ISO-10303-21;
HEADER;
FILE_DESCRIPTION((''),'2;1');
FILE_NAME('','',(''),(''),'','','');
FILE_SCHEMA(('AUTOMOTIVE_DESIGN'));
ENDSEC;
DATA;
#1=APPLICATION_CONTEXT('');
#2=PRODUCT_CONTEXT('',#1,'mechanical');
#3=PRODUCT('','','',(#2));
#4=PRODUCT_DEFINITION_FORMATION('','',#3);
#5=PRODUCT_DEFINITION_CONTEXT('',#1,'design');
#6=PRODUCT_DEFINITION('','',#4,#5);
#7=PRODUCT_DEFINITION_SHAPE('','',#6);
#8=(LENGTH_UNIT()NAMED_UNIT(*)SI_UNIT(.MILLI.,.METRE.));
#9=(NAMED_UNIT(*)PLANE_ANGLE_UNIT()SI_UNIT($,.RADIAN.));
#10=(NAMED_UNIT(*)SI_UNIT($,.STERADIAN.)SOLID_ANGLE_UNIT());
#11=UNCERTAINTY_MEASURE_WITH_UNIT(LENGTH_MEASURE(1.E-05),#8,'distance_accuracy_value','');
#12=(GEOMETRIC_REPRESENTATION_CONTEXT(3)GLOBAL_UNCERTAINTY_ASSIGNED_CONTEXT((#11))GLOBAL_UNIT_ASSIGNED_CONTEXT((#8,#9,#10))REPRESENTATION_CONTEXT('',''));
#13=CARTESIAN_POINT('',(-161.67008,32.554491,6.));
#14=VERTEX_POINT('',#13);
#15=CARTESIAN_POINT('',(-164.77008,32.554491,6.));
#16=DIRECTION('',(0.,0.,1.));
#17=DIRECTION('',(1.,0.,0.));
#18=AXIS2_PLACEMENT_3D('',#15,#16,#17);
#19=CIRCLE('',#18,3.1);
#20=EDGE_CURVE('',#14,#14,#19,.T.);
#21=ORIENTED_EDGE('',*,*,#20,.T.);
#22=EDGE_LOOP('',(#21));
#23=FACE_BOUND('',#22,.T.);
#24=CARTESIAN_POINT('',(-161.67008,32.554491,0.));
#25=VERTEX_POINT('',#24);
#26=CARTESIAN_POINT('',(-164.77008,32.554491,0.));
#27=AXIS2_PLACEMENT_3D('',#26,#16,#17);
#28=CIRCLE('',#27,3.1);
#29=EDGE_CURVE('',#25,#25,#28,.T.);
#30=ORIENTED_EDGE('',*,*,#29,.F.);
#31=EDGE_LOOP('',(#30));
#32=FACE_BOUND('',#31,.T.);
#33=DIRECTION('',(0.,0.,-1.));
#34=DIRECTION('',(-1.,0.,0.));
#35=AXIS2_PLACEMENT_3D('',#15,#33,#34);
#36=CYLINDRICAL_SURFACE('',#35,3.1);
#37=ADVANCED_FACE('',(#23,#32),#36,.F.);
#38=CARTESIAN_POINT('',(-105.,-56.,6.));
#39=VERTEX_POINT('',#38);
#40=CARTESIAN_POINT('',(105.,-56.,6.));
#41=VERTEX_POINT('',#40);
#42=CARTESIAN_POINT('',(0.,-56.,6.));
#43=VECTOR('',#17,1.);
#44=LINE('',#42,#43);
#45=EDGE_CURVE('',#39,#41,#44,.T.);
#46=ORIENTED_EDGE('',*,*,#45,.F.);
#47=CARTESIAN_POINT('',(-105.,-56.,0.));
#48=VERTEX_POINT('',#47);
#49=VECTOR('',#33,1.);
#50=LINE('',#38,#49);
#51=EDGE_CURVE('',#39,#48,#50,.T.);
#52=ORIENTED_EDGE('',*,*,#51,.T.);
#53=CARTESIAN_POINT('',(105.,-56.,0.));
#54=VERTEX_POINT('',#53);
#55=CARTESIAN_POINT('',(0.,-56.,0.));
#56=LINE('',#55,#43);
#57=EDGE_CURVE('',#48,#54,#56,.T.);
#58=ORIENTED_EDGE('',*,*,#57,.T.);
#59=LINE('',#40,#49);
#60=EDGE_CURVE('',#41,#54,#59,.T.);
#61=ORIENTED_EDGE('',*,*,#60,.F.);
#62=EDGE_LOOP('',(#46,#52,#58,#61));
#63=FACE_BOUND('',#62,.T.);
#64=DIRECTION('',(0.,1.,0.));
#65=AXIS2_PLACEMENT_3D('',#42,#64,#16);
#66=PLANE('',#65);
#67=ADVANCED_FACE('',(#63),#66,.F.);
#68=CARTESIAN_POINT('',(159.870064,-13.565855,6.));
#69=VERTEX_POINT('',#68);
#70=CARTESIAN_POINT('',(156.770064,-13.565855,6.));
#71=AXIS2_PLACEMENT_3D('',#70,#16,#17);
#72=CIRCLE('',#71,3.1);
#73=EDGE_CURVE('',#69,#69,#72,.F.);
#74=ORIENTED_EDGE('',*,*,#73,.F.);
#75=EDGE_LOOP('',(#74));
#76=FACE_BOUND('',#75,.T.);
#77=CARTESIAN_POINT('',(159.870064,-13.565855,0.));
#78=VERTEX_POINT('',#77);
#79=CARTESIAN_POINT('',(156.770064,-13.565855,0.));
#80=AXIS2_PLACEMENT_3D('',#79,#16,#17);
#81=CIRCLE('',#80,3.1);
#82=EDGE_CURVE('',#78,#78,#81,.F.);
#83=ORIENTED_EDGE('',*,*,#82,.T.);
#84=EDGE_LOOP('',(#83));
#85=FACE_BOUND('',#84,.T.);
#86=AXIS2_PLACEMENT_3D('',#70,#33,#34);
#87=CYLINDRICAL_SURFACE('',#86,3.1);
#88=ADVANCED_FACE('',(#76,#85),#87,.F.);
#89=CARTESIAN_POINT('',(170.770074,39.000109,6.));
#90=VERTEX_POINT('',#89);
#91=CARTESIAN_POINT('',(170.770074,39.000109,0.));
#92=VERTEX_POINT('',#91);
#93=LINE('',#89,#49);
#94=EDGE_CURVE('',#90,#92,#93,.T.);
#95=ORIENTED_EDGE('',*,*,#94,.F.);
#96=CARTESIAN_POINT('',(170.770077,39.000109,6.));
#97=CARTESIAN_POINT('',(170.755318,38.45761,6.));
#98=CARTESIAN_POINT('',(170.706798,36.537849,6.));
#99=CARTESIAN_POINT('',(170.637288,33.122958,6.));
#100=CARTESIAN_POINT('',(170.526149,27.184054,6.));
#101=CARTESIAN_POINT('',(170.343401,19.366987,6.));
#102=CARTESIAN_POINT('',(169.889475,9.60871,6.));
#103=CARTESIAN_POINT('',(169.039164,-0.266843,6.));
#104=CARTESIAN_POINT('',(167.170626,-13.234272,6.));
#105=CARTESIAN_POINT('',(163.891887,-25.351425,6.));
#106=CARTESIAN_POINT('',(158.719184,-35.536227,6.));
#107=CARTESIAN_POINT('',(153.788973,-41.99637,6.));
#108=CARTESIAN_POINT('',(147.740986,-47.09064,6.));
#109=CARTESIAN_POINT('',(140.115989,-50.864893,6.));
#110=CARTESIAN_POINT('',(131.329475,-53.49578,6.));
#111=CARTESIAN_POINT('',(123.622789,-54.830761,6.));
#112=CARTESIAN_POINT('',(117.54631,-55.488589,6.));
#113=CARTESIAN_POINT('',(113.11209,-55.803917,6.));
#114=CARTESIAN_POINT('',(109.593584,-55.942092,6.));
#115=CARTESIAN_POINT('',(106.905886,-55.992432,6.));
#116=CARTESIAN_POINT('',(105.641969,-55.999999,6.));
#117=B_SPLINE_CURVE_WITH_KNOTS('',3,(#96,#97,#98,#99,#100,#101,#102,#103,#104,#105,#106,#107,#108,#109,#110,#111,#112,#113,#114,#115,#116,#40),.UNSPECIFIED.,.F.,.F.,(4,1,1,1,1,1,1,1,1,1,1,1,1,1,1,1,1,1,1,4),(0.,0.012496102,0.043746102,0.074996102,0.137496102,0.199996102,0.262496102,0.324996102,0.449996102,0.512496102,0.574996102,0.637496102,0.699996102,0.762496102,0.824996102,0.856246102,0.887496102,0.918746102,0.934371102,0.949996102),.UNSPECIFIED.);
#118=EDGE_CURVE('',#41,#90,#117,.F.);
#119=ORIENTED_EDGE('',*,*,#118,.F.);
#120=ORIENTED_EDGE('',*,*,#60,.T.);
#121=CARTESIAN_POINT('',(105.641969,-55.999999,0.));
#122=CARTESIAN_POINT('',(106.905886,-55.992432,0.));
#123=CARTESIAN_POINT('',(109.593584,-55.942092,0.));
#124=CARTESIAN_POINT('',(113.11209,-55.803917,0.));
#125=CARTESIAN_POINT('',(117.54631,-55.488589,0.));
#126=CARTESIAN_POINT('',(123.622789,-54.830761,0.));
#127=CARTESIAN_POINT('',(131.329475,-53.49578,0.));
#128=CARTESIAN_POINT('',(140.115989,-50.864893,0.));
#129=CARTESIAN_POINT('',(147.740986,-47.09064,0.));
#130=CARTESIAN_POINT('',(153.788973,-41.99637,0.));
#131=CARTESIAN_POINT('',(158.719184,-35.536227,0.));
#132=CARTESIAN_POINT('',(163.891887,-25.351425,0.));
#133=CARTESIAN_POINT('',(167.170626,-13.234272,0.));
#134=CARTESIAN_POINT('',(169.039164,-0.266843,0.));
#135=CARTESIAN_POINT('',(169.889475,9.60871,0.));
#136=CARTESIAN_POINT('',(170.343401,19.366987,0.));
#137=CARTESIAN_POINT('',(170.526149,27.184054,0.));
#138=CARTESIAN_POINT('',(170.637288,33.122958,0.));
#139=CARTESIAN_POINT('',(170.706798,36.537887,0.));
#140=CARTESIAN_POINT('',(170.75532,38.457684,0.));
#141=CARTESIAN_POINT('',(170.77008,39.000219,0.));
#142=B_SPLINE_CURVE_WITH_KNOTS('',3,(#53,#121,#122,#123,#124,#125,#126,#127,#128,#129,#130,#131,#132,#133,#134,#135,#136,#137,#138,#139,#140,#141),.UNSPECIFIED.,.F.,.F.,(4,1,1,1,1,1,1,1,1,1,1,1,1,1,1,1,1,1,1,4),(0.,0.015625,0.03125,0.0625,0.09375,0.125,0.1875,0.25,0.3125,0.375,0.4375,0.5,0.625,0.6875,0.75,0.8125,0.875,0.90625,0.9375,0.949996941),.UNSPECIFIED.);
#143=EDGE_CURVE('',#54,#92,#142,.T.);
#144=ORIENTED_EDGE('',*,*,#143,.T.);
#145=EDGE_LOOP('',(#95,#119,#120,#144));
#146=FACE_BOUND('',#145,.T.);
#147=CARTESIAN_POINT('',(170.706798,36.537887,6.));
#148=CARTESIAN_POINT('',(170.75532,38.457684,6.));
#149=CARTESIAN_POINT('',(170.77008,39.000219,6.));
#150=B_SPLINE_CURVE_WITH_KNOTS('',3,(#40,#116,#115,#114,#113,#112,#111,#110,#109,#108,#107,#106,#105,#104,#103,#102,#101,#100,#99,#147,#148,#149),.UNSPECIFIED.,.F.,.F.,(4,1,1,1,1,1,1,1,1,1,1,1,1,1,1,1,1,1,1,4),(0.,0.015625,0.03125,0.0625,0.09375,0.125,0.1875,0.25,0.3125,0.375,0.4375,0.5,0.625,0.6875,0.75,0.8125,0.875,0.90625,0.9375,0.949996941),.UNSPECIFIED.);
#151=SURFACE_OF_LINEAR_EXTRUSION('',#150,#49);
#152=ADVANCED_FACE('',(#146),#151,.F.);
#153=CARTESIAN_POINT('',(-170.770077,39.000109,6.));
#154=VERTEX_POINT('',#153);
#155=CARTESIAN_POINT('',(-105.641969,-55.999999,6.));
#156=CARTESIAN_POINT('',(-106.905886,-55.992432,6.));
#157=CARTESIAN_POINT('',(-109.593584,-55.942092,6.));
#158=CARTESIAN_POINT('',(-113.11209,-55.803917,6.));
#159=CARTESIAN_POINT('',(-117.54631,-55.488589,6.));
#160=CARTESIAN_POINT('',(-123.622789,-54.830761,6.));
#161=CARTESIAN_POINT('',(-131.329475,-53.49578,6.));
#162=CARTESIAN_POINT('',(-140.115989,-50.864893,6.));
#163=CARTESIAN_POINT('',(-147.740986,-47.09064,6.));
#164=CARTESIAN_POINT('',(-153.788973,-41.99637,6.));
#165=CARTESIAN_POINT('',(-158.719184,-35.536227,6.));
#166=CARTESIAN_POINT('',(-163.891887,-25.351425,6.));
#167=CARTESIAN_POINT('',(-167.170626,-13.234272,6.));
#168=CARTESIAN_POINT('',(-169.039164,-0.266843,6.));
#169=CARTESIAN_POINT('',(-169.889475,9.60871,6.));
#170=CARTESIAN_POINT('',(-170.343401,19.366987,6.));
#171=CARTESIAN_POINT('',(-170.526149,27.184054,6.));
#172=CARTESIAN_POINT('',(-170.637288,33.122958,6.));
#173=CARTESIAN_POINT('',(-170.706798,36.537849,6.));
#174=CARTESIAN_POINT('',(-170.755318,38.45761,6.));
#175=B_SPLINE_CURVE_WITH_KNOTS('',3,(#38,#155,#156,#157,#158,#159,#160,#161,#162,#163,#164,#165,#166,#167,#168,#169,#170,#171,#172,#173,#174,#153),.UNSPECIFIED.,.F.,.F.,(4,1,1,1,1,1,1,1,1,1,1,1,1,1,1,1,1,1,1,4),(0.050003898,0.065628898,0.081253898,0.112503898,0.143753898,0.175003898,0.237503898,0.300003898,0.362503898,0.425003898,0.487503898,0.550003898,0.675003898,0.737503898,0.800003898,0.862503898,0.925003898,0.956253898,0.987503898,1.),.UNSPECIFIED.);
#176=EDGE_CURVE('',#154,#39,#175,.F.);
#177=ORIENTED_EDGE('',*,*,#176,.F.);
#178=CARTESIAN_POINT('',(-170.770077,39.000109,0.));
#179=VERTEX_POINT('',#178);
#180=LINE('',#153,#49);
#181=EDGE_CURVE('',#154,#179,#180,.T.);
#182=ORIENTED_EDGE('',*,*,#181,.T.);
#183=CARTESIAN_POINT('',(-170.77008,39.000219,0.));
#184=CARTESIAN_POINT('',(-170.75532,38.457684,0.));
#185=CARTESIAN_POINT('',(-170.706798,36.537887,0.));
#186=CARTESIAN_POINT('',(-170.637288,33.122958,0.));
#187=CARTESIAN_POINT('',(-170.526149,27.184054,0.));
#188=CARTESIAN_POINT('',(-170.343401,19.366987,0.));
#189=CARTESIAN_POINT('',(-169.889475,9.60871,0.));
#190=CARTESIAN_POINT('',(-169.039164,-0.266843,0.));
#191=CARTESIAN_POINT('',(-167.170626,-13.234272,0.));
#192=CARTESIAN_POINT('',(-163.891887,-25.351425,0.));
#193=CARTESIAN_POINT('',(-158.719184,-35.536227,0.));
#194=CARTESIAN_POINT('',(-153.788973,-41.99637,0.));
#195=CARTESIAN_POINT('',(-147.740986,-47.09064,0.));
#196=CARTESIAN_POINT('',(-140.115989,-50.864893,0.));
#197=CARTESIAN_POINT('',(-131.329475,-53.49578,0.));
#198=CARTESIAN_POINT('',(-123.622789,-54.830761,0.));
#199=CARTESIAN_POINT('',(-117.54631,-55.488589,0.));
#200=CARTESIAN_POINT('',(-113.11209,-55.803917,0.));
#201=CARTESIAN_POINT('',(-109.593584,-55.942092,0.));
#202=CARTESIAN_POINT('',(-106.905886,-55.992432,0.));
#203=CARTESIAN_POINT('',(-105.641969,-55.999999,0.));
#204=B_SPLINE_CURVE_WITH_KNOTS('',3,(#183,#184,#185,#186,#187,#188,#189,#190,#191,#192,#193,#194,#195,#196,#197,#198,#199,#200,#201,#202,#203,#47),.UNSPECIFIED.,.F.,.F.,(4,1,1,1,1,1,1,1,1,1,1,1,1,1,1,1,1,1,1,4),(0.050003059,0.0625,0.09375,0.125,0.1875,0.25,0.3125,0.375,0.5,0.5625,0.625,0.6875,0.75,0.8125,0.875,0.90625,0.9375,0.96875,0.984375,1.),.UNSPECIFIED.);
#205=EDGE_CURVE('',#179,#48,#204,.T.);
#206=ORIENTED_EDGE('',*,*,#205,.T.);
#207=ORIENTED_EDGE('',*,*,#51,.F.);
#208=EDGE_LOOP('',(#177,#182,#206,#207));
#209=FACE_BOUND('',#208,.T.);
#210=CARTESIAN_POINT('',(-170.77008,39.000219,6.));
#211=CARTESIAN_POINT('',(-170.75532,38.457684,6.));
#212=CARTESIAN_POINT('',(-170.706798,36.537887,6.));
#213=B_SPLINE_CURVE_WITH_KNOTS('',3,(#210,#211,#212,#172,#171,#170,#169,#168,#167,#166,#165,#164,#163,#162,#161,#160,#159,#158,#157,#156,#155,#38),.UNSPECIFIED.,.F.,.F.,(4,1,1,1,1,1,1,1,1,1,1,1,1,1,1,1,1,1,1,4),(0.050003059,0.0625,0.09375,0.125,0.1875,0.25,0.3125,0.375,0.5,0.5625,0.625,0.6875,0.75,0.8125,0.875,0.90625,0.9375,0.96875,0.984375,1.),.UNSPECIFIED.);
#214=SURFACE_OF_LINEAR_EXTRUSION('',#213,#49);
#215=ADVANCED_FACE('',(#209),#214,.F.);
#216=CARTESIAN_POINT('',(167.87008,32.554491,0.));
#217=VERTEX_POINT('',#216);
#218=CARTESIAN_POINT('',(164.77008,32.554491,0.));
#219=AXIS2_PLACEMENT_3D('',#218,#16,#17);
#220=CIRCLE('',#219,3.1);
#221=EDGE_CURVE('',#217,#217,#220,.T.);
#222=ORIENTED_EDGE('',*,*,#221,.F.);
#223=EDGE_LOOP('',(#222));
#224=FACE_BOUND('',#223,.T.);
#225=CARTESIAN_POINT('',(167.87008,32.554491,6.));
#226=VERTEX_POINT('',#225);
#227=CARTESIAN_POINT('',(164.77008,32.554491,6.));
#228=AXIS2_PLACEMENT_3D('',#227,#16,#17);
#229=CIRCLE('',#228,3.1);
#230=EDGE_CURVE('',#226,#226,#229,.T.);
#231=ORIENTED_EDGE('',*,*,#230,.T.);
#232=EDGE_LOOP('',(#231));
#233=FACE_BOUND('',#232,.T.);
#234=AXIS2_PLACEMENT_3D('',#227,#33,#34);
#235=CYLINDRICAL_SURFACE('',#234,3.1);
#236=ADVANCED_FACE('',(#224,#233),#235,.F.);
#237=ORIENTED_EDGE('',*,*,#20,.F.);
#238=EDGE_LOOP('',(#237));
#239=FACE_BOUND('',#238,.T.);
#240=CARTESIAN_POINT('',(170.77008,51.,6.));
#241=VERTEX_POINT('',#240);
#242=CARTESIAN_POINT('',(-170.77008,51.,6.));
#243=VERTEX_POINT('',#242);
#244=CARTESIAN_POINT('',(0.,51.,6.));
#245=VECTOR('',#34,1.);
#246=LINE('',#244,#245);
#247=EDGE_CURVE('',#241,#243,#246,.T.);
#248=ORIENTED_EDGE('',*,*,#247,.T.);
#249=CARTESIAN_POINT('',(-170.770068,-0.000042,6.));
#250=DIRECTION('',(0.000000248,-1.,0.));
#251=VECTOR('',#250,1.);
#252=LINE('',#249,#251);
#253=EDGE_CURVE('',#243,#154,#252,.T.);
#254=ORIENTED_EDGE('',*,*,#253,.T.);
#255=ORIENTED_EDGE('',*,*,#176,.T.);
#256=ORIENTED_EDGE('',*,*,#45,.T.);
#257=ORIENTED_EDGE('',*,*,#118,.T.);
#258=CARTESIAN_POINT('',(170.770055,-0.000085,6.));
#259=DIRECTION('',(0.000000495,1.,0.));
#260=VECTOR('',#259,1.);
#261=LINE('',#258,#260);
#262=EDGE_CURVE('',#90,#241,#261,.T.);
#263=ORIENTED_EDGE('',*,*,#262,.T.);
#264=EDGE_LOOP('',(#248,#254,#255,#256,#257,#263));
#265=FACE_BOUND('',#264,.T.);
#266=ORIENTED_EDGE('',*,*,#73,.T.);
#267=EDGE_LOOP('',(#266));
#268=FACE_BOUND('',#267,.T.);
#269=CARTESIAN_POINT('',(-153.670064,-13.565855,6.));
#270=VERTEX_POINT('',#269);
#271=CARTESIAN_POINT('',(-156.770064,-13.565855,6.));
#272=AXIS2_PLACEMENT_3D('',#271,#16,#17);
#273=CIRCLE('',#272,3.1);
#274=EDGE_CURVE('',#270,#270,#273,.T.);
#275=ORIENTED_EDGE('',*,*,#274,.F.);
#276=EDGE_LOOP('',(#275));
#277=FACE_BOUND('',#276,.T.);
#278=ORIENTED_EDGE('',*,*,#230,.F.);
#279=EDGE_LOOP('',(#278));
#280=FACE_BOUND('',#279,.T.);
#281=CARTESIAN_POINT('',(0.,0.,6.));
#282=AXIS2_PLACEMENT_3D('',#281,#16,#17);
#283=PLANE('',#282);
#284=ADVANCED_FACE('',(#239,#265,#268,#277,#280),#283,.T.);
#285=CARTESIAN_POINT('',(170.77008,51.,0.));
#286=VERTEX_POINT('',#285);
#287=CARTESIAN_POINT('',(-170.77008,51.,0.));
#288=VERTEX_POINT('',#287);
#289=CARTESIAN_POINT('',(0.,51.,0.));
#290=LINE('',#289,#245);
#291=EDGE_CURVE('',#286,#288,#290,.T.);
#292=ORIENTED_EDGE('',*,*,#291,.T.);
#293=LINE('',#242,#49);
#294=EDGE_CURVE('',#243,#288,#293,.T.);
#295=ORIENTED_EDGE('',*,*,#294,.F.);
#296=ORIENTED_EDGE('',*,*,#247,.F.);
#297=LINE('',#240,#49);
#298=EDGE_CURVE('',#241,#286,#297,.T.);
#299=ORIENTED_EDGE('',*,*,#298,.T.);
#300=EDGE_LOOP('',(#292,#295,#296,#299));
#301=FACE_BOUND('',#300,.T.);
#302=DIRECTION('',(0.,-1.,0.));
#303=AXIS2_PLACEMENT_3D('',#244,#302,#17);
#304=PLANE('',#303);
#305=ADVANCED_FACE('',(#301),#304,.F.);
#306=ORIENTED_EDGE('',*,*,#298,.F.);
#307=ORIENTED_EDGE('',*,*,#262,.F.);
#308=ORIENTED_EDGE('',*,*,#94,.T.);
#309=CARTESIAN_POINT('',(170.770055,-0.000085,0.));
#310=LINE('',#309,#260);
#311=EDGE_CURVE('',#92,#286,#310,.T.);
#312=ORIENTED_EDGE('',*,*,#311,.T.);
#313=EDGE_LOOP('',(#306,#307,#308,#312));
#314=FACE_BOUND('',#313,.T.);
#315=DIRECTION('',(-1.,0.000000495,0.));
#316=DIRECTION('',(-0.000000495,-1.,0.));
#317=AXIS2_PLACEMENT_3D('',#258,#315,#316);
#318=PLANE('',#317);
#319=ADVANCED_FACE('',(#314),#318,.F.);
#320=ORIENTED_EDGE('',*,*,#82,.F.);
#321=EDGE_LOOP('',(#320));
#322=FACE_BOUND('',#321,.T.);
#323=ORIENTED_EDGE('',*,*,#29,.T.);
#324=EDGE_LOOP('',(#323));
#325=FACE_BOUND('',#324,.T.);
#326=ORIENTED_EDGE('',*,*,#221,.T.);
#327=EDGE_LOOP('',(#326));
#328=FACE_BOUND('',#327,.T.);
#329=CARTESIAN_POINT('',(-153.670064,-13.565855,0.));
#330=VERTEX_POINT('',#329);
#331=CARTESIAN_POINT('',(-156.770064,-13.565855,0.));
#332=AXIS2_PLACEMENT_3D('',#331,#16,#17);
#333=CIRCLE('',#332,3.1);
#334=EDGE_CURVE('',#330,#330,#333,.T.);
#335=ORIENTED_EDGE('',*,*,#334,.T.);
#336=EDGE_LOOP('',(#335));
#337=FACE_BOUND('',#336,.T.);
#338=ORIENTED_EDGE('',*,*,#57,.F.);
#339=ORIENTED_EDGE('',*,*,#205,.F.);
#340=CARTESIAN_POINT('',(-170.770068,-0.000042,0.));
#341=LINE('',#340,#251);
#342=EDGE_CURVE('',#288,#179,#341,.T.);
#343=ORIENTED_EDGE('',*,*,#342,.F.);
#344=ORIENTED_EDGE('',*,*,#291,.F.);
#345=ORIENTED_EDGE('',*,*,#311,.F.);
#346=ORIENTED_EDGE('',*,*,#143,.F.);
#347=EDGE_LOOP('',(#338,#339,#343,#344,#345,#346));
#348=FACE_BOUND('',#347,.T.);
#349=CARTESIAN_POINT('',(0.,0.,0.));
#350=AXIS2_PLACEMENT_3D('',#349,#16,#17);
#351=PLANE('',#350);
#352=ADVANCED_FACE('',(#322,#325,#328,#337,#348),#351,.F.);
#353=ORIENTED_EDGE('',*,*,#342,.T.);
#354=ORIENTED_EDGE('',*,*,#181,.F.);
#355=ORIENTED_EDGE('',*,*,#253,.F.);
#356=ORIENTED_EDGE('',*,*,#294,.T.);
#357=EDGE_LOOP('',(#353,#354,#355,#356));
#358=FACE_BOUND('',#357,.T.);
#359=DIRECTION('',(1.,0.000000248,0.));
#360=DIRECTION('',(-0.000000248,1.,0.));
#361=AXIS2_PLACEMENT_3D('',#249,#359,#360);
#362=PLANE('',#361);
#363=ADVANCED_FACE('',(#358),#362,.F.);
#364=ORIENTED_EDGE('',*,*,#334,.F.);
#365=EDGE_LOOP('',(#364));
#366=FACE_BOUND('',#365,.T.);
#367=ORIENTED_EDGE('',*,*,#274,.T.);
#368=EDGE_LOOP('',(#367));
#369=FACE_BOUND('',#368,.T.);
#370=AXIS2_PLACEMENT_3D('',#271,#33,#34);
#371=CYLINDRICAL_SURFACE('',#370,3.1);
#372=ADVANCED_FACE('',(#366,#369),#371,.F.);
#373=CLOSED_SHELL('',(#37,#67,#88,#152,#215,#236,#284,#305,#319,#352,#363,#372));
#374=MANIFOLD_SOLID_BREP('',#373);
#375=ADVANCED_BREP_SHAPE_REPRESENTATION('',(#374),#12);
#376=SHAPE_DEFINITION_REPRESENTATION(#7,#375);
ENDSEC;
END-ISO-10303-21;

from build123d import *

# Parameters (mm, degrees)
SKETCH2_R           = 3.1
BOSS_EXTRUDE2_DEPTH = 6


with BuildPart() as part:
    # Sketch2 → Boss-Extrude2 (new body)
    with BuildSketch(Plane.XY):
        with BuildLine():
            Line((100, -56), (-105, -56))
            add(Edge.make_bspline(
                [(-170.77007734, 39.000109259), (-170.755319597, 38.457683604), (-170.706798384, 36.537887441), (-170.637287988, 33.122957729), (-170.5261489, 27.184054493), (-170.34340093, 19.366986891), (-169.889474506, 9.608710222), (-169.039164203, -0.266842999), (-167.1706255, -13.234272429), (-163.891886546, -25.351425111), (-158.719183516, -35.536226847), (-153.788973421, -41.996369681), (-147.740986476, -47.090640281), (-140.115988759, -50.864892697), (-131.329474875, -53.495779888), (-123.622789186, -54.830760959), (-117.546310091, -55.488589317), (-113.112089799, -55.803916745), (-109.593584136, -55.942092458), (-106.905885897, -55.99243235), (-105.641968688, -55.999999365), (-105, -56)],
                knots=[0.050003059, 0.050003059, 0.050003059, 0.050003059, 0.0625, 0.09375, 0.125, 0.1875, 0.25, 0.3125, 0.375, 0.5, 0.5625, 0.625, 0.6875, 0.75, 0.8125, 0.875, 0.90625, 0.9375, 0.96875, 0.984375, 1, 1, 1, 1], degree=3))
            Line((-170.77007734, 39.000109259), (-170.770080313, 51))
            Line((-170.770080313, 51), (159.005500018, 51))
            Line((159.005500018, 51), (170.770080313, 51))
            Line((170.770080313, 51), (170.770074367, 39.000109259))
            add(Edge.make_bspline(
                [(105, -56), (105.641968688, -55.999999365), (106.905885897, -55.99243235), (109.593584136, -55.942092457), (113.112089799, -55.803916745), (117.546310092, -55.488589317), (123.622789186, -54.830760959), (131.329474876, -53.495779888), (140.11598876, -50.864892696), (147.740986477, -47.09064028), (153.788973422, -41.996369679), (158.719183518, -35.536226846), (163.891886547, -25.351425109), (167.170625501, -13.234272427), (169.039164203, -0.266842997), (169.889474507, 9.608710225), (170.343400931, 19.366986894), (170.5261489, 27.184054497), (170.637287988, 33.122957733), (170.706798384, 36.537887444), (170.755319597, 38.457683605), (170.770074367, 39.000109259)],
                knots=[0, 0, 0, 0, 0.015625, 0.03125, 0.0625, 0.09375, 0.125, 0.1875, 0.25, 0.3125, 0.375, 0.4375, 0.5, 0.625, 0.6875, 0.75, 0.8125, 0.875, 0.90625, 0.9375, 0.949996941, 0.949996941, 0.949996941, 0.949996941], degree=3))
            Line((105, -56), (100, -56))
        make_face()
        with Locations((164.770080313, 32.55449126)):
            Circle(SKETCH2_R, mode=Mode.SUBTRACT)
        with Locations((-156.770064318, -13.565854924)):
            Circle(SKETCH2_R, mode=Mode.SUBTRACT)
        with Locations((-164.770080313, 32.55449126)):
            Circle(SKETCH2_R, mode=Mode.SUBTRACT)
        with Locations((156.770064318, -13.565854924)):
            Circle(SKETCH2_R, mode=Mode.SUBTRACT)
    extrude(amount=BOSS_EXTRUDE2_DEPTH)


solid = part.part
